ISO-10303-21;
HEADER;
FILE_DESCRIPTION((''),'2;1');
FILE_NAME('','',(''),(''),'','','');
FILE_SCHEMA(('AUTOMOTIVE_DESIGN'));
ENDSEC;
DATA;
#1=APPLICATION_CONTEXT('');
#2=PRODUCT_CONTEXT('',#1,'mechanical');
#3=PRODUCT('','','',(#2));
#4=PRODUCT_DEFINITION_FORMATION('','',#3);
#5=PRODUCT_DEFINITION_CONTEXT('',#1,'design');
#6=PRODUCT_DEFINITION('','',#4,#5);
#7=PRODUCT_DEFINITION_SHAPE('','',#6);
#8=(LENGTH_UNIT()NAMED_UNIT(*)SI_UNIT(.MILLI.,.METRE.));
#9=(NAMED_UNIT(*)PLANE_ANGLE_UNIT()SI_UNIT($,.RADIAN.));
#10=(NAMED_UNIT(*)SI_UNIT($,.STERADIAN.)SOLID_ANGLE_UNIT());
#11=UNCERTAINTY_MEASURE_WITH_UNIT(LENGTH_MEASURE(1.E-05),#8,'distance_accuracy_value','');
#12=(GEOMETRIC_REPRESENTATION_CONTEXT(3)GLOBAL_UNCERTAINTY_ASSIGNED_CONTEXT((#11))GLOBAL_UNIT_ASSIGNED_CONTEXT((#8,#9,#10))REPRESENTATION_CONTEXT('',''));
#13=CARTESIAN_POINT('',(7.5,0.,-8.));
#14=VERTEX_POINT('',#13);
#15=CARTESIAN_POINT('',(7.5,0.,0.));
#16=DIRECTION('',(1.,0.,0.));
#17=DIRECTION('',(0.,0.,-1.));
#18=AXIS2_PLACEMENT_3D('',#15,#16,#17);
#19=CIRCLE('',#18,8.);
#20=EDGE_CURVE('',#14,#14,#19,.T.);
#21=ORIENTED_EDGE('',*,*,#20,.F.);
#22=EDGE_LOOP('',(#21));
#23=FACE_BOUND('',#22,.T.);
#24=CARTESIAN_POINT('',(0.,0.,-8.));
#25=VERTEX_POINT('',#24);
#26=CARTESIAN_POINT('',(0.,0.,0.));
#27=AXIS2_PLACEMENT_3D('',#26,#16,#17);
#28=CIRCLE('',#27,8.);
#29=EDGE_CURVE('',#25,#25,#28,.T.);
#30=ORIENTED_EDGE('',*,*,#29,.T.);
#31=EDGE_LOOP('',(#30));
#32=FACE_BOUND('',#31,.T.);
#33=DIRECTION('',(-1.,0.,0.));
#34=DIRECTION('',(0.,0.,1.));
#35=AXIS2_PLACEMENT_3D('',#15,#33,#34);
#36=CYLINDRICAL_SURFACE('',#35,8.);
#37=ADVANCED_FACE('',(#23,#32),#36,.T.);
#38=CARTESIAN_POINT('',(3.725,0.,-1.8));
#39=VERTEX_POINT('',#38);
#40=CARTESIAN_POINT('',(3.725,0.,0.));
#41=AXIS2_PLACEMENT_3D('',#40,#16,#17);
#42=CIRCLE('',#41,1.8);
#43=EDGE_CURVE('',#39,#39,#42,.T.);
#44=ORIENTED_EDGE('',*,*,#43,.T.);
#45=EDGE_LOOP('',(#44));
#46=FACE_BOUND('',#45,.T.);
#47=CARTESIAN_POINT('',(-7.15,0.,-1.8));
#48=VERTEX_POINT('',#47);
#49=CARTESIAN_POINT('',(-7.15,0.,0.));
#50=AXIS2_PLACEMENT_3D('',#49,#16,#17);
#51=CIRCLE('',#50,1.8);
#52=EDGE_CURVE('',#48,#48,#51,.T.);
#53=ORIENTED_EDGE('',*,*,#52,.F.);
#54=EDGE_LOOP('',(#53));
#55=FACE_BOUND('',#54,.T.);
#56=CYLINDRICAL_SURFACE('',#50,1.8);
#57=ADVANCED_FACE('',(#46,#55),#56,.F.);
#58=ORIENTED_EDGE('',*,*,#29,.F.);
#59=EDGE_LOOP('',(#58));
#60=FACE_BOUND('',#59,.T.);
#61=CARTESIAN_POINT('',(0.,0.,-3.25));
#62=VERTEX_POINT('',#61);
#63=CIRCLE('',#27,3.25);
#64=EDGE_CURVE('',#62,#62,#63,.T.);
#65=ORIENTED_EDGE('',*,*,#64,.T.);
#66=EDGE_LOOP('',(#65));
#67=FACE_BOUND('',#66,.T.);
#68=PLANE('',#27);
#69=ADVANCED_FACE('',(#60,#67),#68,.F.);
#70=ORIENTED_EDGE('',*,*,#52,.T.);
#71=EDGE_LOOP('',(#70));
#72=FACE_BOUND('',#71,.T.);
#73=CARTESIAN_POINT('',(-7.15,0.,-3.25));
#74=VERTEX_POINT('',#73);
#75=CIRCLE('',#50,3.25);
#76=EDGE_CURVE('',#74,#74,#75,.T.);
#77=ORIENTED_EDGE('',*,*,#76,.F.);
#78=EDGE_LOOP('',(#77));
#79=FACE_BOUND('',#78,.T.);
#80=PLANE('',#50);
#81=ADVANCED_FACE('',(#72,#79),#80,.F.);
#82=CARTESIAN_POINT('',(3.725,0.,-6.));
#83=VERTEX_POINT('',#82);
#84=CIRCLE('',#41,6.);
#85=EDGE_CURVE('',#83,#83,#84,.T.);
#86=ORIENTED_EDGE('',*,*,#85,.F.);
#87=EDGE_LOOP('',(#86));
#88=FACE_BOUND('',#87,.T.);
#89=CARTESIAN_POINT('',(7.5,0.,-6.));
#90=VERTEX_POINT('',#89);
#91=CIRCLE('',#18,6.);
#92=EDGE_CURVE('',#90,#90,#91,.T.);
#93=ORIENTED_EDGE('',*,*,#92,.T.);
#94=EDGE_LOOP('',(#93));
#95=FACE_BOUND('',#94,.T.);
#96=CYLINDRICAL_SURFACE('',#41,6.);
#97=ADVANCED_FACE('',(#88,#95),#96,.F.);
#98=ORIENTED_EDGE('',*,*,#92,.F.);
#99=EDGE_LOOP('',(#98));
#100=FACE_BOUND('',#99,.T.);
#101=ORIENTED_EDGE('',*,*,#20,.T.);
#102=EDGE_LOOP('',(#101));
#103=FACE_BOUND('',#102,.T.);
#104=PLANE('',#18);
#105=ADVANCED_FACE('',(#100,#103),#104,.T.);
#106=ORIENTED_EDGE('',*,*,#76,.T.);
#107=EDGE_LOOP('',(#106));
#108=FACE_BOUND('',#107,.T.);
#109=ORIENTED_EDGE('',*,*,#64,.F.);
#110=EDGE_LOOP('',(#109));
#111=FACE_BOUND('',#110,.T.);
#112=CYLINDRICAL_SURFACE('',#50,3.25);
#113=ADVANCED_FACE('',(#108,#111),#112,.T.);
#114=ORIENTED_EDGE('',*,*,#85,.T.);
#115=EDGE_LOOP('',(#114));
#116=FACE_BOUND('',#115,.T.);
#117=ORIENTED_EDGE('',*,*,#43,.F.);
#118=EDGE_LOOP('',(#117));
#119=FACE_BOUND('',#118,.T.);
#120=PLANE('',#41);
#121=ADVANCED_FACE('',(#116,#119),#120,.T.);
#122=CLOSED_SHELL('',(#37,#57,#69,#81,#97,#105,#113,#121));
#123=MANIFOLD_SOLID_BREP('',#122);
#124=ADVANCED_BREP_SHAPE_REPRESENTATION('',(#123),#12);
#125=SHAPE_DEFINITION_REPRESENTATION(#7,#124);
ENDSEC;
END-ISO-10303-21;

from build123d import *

# Parameters (mm, degrees)
SKETCH2_R           = 8
SKETCH2_R_2         = 3.25
BOSS_EXTRUDE1_DEPTH = 7.5
SKETCH3_R           = 6
CUT_EXTRUDE1_DEPTH  = 3.775
SKETCH4_R           = 3.25
SKETCH4_R_2         = 1.8
BOSS_EXTRUDE2_DEPTH = 10.875


with BuildPart() as part:
    # Sketch2 → Boss-Extrude1 (new body)
    with BuildSketch(Plane(origin=(0, 0, 0), x_dir=(0, 0, -1), z_dir=(1, 0, 0))):
        Circle(SKETCH2_R)
        Circle(SKETCH2_R_2, mode=Mode.SUBTRACT)
    extrude(amount=BOSS_EXTRUDE1_DEPTH)

    # Sketch3 → Cut-Extrude1 (cut)
    with BuildSketch(Plane(origin=(7.5, 0, 0), x_dir=(0, 0, -1), z_dir=(1, 0, 0))):
        Circle(SKETCH3_R)
    extrude(amount=-CUT_EXTRUDE1_DEPTH, mode=Mode.SUBTRACT)

    # Sketch4 → Boss-Extrude2 (add)
    with BuildSketch(Plane(origin=(3.725, 0, 0), x_dir=(0, 0, -1), z_dir=(1, 0, 0))):
        Circle(SKETCH4_R)
        Circle(SKETCH4_R_2, mode=Mode.SUBTRACT)
    extrude(amount=-BOSS_EXTRUDE2_DEPTH)


solid = part.part
